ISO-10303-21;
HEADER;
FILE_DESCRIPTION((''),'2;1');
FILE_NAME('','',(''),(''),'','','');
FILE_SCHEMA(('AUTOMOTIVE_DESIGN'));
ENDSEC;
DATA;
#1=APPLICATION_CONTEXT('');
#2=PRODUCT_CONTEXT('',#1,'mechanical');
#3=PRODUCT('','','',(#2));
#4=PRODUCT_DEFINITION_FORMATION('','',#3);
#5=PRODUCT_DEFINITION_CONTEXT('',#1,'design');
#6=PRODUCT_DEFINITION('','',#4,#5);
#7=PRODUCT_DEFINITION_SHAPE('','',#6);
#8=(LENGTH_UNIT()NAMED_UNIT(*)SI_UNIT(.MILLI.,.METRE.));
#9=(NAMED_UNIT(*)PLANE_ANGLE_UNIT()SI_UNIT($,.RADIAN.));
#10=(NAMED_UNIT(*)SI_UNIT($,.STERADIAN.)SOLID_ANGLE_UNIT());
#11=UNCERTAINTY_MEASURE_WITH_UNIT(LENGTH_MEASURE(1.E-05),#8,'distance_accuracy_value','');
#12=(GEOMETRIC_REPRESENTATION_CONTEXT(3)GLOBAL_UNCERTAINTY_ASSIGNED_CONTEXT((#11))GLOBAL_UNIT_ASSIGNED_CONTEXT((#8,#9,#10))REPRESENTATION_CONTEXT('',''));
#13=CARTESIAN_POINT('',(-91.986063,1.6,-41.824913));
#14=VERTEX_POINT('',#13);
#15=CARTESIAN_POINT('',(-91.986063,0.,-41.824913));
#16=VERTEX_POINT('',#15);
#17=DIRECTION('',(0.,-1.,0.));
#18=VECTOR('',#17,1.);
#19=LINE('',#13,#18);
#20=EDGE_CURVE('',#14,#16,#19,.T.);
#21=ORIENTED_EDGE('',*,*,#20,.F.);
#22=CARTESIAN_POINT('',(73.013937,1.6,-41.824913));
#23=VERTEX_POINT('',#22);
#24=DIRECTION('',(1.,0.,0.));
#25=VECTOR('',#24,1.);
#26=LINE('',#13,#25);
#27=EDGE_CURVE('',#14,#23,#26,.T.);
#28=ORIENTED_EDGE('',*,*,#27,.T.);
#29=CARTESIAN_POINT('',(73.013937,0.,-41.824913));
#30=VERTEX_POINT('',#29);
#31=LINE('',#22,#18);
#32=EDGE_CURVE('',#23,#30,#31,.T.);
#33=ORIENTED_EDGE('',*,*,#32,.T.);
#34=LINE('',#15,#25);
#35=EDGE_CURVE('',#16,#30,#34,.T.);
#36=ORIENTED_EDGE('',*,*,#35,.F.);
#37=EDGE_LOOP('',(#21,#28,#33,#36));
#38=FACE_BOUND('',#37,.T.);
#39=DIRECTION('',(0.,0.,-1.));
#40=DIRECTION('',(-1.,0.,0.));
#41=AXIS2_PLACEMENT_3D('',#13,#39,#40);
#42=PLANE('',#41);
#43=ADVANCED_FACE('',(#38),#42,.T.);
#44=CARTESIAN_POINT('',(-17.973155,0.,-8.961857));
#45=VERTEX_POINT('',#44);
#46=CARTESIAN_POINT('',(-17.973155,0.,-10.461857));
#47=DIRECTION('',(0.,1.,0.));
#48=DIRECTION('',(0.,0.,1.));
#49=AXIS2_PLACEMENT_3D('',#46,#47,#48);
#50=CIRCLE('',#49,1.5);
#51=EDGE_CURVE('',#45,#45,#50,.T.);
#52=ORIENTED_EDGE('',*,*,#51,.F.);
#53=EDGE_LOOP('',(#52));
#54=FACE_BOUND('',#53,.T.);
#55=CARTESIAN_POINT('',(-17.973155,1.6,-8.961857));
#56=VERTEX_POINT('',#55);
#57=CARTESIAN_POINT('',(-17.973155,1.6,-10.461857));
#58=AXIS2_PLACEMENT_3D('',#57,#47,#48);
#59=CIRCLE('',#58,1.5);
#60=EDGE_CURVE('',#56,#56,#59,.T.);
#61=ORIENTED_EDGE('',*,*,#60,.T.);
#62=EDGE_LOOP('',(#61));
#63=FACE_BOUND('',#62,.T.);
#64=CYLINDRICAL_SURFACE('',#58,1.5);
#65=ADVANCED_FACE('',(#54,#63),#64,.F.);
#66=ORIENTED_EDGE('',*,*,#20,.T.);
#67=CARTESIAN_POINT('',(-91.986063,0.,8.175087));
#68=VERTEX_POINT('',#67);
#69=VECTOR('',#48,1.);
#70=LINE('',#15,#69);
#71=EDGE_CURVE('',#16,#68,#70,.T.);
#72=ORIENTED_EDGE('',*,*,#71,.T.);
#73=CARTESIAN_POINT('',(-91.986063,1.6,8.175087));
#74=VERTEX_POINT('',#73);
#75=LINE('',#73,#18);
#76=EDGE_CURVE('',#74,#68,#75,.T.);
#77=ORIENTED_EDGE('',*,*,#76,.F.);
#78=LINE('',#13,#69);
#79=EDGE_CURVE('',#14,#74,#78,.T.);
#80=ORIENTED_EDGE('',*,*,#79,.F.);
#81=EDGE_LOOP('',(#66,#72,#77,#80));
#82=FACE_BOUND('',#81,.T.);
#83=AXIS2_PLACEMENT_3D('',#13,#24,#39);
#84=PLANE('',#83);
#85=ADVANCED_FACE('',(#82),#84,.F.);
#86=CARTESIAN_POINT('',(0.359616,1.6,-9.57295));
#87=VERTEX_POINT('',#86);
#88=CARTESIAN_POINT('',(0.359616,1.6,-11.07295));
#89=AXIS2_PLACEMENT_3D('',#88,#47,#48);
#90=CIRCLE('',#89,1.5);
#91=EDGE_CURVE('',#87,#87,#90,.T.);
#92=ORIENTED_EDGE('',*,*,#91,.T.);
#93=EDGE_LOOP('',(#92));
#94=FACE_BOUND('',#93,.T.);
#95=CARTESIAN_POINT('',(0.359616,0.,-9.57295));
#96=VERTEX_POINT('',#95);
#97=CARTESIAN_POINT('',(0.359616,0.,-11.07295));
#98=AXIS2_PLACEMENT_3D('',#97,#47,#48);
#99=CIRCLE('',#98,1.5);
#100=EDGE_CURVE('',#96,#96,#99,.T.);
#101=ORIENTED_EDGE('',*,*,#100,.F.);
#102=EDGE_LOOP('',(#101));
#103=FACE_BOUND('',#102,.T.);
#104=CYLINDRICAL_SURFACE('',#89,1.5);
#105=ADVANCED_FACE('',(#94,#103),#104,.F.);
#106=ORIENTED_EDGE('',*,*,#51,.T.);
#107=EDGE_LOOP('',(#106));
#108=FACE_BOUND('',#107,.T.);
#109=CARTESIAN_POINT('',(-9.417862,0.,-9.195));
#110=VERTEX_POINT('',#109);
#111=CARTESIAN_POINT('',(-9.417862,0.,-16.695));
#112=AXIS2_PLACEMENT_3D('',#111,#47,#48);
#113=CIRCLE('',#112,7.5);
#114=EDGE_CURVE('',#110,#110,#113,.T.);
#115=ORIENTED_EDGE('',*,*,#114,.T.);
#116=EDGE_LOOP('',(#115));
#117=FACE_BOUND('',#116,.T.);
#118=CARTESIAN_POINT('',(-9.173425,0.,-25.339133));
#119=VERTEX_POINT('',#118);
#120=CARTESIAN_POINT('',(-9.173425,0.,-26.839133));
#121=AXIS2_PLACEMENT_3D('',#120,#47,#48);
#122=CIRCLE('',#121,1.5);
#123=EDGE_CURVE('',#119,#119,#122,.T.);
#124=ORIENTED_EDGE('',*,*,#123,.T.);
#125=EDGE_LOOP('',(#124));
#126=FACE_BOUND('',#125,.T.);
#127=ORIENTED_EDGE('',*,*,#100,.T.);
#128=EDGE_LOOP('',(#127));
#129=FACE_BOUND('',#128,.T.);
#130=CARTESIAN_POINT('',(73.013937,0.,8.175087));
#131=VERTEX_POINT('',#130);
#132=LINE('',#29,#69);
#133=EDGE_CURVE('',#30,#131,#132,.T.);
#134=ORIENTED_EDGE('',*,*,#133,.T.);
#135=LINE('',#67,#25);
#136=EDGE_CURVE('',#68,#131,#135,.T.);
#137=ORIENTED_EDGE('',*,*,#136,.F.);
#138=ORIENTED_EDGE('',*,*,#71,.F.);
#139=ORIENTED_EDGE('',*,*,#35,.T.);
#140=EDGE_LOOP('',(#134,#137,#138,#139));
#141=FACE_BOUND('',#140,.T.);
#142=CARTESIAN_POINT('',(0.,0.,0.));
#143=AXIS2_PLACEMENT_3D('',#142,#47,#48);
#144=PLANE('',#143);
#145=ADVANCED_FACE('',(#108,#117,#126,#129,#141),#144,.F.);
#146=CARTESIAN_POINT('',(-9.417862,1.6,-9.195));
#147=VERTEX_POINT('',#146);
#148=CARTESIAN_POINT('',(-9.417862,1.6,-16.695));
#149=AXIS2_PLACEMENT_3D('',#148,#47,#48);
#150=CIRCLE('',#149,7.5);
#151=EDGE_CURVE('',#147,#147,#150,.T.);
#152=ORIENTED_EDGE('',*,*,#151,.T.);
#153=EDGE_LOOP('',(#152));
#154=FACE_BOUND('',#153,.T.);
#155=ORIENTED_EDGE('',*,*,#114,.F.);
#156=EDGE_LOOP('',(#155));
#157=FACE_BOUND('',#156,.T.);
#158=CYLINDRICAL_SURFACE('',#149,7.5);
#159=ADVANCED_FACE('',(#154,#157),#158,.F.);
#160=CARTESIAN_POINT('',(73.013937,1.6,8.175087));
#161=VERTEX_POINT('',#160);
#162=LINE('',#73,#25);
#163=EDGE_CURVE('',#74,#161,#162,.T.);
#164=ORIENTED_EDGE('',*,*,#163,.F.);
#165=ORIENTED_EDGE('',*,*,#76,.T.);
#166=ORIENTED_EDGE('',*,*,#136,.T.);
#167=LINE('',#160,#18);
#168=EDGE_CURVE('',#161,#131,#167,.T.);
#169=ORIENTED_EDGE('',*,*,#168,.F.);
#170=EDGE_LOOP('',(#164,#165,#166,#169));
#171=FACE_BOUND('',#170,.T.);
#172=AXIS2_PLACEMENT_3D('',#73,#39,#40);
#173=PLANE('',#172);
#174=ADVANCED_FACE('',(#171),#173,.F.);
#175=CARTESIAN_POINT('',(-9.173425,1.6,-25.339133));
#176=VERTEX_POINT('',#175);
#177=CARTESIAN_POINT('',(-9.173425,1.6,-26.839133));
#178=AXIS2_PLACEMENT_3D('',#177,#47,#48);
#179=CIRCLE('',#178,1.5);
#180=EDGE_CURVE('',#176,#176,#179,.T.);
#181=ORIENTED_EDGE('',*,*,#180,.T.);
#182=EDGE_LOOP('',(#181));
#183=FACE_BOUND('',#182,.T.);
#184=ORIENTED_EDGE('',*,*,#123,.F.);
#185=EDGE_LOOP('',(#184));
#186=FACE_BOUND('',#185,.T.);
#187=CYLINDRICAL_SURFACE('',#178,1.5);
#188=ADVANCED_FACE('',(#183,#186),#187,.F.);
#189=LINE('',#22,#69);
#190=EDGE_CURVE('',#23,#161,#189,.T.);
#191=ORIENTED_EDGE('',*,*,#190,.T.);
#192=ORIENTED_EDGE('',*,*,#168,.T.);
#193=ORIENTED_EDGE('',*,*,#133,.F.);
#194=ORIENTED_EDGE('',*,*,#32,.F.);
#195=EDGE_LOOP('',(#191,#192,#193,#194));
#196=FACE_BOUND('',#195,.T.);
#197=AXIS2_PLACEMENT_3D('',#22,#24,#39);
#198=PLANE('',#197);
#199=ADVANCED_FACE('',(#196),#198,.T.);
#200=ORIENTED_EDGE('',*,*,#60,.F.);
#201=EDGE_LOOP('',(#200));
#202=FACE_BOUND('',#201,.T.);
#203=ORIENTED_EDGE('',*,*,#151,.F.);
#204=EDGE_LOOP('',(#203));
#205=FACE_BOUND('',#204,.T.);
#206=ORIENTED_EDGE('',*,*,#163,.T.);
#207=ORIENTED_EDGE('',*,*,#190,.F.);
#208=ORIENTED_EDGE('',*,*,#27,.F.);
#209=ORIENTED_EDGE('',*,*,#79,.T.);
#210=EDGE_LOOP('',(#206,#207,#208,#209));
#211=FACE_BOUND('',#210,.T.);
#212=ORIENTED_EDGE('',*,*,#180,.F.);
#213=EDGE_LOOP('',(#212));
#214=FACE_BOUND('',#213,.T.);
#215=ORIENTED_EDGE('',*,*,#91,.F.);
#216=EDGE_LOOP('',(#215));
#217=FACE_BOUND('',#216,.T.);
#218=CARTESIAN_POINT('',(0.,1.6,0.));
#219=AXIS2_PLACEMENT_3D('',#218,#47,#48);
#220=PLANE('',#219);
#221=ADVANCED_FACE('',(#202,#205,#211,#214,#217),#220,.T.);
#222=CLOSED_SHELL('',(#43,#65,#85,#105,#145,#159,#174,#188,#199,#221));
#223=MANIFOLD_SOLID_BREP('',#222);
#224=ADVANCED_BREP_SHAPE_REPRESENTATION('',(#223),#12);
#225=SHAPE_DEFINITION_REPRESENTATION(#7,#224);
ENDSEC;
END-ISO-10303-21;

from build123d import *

# Parameters (mm, degrees)
SKETCH1_W             = 165
SKETCH1_H             = 50
BOSS_EXTRUDE1_DEPTH   = 1.6
F_5_0MM_DOWEL_HOLE1_D = 15
F_3_0MM_DOWEL_HOLE1_D = 3
F_3_0MM_DOWEL_HOLE2_D = 3
F_3_0MM_DOWEL_HOLE3_D = 3


with BuildPart() as part:
    # Sketch1 → Boss-Extrude1 (new body)
    with BuildSketch(Plane(origin=(0, 0, 0), x_dir=(1, 0, 0), z_dir=(0, 1, 0))):
        with Locations((-9.486062718, 16.824912892)):
            Rectangle(SKETCH1_W, SKETCH1_H)
    extrude(amount=BOSS_EXTRUDE1_DEPTH)

    # Ø5.0mm Dowel Hole1 (through all)
    with Locations(Plane(origin=(0, 1.6, 0), x_dir=(1, 0, 0), z_dir=(0, 1, 0))):
        with Locations((-9.417861972, 16.694999661)):
            Hole(F_5_0MM_DOWEL_HOLE1_D / 2)

    # Ø3.0mm Dowel Hole1 (through all)
    with Locations(Plane(origin=(0, 1.6, 0), x_dir=(1, 0, 0), z_dir=(0, 1, 0))):
        with Locations((-9.173425023, 26.839133027)):
            Hole(F_3_0MM_DOWEL_HOLE1_D / 2)

    # Ø3.0mm Dowel Hole2 (through all)
    with Locations(Plane(origin=(0, 1.6, 0), x_dir=(1, 0, 0), z_dir=(0, 1, 0))):
        with Locations((0.359615971, 11.072949843)):
            Hole(F_3_0MM_DOWEL_HOLE2_D / 2)

    # Ø3.0mm Dowel Hole3 (through all)
    with Locations(Plane(origin=(0, 1.6, 0), x_dir=(1, 0, 0), z_dir=(0, 1, 0))):
        with Locations((-17.973155173, 10.461857472)):
            Hole(F_3_0MM_DOWEL_HOLE3_D / 2)


solid = part.part
